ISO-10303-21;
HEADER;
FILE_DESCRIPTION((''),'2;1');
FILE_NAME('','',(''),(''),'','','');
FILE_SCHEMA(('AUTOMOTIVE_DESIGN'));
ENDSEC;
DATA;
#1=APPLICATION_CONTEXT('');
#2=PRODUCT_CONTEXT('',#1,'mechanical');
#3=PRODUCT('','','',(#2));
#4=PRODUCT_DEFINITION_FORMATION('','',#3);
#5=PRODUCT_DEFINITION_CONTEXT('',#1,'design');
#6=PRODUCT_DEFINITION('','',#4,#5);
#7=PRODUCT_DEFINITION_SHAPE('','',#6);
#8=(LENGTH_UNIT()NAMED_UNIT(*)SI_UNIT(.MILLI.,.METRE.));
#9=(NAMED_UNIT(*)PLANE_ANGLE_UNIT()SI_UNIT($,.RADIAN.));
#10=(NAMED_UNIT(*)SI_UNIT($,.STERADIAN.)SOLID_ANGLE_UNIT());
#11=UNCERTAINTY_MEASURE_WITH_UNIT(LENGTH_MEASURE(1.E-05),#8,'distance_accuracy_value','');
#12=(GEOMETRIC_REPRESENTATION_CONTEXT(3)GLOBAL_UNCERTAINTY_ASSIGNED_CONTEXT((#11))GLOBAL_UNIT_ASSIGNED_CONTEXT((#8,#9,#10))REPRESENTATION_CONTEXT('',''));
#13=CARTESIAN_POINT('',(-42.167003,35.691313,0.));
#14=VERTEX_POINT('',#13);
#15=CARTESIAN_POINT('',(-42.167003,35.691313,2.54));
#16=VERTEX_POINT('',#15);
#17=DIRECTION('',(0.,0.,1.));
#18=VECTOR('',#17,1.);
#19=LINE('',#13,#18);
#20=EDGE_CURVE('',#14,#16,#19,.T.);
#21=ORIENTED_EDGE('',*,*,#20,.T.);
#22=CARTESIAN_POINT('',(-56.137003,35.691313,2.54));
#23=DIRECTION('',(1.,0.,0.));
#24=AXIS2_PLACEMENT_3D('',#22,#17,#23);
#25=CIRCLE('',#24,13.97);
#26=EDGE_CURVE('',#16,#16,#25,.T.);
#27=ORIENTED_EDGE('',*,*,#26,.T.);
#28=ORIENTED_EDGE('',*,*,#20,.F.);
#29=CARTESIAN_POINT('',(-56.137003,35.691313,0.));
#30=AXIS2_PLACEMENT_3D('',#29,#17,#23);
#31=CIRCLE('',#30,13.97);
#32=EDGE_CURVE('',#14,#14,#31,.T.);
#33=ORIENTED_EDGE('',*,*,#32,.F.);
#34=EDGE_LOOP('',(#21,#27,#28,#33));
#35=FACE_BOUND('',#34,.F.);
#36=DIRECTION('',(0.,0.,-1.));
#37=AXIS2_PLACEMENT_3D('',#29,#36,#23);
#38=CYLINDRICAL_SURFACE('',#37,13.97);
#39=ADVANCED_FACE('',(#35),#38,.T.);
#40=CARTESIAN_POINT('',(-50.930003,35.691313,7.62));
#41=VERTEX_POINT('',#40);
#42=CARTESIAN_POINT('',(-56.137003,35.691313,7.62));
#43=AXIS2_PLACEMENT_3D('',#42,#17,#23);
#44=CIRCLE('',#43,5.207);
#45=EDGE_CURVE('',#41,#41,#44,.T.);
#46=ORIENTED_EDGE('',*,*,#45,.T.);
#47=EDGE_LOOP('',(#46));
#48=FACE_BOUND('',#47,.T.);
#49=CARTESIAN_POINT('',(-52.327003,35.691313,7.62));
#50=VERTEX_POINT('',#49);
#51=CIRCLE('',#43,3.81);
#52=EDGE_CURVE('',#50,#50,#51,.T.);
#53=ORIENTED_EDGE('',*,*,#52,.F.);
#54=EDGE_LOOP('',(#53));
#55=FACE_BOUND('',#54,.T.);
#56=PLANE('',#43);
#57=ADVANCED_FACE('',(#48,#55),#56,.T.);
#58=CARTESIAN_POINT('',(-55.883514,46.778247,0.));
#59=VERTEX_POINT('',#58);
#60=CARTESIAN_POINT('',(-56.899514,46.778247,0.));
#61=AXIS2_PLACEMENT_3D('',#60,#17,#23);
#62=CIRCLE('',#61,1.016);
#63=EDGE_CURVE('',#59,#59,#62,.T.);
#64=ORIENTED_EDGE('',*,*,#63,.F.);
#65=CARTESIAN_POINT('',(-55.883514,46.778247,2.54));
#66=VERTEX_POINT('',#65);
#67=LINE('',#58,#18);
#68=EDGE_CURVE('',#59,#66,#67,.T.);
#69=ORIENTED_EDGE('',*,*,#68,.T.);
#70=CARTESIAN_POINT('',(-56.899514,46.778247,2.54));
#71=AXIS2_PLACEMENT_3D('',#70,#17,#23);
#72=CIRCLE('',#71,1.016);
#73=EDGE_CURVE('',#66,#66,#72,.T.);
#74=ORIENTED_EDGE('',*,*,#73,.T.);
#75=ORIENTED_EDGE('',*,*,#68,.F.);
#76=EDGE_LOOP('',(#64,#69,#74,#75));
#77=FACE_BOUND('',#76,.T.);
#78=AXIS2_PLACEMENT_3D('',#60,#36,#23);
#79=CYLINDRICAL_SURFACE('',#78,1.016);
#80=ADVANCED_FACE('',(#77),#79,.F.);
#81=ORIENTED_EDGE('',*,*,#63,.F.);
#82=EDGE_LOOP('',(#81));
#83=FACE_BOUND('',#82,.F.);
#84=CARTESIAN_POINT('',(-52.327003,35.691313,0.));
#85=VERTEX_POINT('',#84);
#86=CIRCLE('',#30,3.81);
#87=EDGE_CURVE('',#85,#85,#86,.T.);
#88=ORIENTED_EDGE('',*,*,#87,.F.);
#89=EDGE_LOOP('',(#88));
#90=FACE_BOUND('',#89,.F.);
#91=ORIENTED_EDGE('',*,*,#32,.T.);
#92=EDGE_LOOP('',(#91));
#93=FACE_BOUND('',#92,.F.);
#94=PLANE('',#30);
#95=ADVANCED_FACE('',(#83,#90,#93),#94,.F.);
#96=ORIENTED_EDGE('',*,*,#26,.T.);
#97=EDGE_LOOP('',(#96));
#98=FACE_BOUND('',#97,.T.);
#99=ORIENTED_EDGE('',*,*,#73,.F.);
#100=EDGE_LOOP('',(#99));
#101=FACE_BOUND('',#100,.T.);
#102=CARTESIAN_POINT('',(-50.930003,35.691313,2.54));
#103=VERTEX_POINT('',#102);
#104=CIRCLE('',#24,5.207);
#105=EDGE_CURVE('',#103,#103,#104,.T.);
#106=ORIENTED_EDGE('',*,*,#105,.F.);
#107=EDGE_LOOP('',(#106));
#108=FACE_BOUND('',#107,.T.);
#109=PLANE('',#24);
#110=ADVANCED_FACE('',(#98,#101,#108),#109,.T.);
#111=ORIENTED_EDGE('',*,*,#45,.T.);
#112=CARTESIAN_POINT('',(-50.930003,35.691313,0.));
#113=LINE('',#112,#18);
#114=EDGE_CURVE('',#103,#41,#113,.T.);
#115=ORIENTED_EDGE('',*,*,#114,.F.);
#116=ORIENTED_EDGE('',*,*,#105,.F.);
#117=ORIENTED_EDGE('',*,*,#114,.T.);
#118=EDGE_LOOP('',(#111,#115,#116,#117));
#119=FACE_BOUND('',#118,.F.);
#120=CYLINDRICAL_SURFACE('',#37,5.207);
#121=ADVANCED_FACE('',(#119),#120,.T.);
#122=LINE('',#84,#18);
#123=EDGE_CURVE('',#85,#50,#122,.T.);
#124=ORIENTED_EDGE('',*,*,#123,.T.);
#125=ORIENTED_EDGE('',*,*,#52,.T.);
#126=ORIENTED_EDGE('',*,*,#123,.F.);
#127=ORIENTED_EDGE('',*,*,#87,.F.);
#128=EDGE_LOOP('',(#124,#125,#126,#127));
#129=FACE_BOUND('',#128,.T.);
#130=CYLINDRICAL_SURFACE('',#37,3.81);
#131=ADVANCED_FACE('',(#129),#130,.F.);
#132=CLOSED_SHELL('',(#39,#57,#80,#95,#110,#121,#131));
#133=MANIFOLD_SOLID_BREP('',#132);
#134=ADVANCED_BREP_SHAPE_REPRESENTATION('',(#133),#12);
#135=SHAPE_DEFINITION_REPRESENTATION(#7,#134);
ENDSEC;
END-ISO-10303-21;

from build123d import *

# Parameters (mm, degrees)
F0_R     = 13.97
F0_R_2   = 1.016
F0_R_3   = 5.207
F1_DEPTH = 2.54
F0_R_4   = 3.81
F2_DEPTH = 7.62


with BuildPart() as f1:
    # F0 (on Top) → F1 (new body)
    with BuildSketch(Plane.XY):
        with Locations((-56.137003, 35.691313)):
            Circle(F0_R)
        with Locations((-56.899514, 46.778247)):
            Circle(F0_R_2, mode=Mode.SUBTRACT)
        with Locations((-56.137003, 35.691313)):
            Circle(F0_R_3, mode=Mode.SUBTRACT)
    extrude(amount=F1_DEPTH)

    # F0 (on Top) → F2 (join)
    with BuildSketch(Plane.XY):
        with Locations((-56.137003, 35.691313)):
            Circle(F0_R_3)
        with Locations((-56.137003, 35.691313)):
            Circle(F0_R_4, mode=Mode.SUBTRACT)
    extrude(amount=F2_DEPTH)


solid = f1.part
